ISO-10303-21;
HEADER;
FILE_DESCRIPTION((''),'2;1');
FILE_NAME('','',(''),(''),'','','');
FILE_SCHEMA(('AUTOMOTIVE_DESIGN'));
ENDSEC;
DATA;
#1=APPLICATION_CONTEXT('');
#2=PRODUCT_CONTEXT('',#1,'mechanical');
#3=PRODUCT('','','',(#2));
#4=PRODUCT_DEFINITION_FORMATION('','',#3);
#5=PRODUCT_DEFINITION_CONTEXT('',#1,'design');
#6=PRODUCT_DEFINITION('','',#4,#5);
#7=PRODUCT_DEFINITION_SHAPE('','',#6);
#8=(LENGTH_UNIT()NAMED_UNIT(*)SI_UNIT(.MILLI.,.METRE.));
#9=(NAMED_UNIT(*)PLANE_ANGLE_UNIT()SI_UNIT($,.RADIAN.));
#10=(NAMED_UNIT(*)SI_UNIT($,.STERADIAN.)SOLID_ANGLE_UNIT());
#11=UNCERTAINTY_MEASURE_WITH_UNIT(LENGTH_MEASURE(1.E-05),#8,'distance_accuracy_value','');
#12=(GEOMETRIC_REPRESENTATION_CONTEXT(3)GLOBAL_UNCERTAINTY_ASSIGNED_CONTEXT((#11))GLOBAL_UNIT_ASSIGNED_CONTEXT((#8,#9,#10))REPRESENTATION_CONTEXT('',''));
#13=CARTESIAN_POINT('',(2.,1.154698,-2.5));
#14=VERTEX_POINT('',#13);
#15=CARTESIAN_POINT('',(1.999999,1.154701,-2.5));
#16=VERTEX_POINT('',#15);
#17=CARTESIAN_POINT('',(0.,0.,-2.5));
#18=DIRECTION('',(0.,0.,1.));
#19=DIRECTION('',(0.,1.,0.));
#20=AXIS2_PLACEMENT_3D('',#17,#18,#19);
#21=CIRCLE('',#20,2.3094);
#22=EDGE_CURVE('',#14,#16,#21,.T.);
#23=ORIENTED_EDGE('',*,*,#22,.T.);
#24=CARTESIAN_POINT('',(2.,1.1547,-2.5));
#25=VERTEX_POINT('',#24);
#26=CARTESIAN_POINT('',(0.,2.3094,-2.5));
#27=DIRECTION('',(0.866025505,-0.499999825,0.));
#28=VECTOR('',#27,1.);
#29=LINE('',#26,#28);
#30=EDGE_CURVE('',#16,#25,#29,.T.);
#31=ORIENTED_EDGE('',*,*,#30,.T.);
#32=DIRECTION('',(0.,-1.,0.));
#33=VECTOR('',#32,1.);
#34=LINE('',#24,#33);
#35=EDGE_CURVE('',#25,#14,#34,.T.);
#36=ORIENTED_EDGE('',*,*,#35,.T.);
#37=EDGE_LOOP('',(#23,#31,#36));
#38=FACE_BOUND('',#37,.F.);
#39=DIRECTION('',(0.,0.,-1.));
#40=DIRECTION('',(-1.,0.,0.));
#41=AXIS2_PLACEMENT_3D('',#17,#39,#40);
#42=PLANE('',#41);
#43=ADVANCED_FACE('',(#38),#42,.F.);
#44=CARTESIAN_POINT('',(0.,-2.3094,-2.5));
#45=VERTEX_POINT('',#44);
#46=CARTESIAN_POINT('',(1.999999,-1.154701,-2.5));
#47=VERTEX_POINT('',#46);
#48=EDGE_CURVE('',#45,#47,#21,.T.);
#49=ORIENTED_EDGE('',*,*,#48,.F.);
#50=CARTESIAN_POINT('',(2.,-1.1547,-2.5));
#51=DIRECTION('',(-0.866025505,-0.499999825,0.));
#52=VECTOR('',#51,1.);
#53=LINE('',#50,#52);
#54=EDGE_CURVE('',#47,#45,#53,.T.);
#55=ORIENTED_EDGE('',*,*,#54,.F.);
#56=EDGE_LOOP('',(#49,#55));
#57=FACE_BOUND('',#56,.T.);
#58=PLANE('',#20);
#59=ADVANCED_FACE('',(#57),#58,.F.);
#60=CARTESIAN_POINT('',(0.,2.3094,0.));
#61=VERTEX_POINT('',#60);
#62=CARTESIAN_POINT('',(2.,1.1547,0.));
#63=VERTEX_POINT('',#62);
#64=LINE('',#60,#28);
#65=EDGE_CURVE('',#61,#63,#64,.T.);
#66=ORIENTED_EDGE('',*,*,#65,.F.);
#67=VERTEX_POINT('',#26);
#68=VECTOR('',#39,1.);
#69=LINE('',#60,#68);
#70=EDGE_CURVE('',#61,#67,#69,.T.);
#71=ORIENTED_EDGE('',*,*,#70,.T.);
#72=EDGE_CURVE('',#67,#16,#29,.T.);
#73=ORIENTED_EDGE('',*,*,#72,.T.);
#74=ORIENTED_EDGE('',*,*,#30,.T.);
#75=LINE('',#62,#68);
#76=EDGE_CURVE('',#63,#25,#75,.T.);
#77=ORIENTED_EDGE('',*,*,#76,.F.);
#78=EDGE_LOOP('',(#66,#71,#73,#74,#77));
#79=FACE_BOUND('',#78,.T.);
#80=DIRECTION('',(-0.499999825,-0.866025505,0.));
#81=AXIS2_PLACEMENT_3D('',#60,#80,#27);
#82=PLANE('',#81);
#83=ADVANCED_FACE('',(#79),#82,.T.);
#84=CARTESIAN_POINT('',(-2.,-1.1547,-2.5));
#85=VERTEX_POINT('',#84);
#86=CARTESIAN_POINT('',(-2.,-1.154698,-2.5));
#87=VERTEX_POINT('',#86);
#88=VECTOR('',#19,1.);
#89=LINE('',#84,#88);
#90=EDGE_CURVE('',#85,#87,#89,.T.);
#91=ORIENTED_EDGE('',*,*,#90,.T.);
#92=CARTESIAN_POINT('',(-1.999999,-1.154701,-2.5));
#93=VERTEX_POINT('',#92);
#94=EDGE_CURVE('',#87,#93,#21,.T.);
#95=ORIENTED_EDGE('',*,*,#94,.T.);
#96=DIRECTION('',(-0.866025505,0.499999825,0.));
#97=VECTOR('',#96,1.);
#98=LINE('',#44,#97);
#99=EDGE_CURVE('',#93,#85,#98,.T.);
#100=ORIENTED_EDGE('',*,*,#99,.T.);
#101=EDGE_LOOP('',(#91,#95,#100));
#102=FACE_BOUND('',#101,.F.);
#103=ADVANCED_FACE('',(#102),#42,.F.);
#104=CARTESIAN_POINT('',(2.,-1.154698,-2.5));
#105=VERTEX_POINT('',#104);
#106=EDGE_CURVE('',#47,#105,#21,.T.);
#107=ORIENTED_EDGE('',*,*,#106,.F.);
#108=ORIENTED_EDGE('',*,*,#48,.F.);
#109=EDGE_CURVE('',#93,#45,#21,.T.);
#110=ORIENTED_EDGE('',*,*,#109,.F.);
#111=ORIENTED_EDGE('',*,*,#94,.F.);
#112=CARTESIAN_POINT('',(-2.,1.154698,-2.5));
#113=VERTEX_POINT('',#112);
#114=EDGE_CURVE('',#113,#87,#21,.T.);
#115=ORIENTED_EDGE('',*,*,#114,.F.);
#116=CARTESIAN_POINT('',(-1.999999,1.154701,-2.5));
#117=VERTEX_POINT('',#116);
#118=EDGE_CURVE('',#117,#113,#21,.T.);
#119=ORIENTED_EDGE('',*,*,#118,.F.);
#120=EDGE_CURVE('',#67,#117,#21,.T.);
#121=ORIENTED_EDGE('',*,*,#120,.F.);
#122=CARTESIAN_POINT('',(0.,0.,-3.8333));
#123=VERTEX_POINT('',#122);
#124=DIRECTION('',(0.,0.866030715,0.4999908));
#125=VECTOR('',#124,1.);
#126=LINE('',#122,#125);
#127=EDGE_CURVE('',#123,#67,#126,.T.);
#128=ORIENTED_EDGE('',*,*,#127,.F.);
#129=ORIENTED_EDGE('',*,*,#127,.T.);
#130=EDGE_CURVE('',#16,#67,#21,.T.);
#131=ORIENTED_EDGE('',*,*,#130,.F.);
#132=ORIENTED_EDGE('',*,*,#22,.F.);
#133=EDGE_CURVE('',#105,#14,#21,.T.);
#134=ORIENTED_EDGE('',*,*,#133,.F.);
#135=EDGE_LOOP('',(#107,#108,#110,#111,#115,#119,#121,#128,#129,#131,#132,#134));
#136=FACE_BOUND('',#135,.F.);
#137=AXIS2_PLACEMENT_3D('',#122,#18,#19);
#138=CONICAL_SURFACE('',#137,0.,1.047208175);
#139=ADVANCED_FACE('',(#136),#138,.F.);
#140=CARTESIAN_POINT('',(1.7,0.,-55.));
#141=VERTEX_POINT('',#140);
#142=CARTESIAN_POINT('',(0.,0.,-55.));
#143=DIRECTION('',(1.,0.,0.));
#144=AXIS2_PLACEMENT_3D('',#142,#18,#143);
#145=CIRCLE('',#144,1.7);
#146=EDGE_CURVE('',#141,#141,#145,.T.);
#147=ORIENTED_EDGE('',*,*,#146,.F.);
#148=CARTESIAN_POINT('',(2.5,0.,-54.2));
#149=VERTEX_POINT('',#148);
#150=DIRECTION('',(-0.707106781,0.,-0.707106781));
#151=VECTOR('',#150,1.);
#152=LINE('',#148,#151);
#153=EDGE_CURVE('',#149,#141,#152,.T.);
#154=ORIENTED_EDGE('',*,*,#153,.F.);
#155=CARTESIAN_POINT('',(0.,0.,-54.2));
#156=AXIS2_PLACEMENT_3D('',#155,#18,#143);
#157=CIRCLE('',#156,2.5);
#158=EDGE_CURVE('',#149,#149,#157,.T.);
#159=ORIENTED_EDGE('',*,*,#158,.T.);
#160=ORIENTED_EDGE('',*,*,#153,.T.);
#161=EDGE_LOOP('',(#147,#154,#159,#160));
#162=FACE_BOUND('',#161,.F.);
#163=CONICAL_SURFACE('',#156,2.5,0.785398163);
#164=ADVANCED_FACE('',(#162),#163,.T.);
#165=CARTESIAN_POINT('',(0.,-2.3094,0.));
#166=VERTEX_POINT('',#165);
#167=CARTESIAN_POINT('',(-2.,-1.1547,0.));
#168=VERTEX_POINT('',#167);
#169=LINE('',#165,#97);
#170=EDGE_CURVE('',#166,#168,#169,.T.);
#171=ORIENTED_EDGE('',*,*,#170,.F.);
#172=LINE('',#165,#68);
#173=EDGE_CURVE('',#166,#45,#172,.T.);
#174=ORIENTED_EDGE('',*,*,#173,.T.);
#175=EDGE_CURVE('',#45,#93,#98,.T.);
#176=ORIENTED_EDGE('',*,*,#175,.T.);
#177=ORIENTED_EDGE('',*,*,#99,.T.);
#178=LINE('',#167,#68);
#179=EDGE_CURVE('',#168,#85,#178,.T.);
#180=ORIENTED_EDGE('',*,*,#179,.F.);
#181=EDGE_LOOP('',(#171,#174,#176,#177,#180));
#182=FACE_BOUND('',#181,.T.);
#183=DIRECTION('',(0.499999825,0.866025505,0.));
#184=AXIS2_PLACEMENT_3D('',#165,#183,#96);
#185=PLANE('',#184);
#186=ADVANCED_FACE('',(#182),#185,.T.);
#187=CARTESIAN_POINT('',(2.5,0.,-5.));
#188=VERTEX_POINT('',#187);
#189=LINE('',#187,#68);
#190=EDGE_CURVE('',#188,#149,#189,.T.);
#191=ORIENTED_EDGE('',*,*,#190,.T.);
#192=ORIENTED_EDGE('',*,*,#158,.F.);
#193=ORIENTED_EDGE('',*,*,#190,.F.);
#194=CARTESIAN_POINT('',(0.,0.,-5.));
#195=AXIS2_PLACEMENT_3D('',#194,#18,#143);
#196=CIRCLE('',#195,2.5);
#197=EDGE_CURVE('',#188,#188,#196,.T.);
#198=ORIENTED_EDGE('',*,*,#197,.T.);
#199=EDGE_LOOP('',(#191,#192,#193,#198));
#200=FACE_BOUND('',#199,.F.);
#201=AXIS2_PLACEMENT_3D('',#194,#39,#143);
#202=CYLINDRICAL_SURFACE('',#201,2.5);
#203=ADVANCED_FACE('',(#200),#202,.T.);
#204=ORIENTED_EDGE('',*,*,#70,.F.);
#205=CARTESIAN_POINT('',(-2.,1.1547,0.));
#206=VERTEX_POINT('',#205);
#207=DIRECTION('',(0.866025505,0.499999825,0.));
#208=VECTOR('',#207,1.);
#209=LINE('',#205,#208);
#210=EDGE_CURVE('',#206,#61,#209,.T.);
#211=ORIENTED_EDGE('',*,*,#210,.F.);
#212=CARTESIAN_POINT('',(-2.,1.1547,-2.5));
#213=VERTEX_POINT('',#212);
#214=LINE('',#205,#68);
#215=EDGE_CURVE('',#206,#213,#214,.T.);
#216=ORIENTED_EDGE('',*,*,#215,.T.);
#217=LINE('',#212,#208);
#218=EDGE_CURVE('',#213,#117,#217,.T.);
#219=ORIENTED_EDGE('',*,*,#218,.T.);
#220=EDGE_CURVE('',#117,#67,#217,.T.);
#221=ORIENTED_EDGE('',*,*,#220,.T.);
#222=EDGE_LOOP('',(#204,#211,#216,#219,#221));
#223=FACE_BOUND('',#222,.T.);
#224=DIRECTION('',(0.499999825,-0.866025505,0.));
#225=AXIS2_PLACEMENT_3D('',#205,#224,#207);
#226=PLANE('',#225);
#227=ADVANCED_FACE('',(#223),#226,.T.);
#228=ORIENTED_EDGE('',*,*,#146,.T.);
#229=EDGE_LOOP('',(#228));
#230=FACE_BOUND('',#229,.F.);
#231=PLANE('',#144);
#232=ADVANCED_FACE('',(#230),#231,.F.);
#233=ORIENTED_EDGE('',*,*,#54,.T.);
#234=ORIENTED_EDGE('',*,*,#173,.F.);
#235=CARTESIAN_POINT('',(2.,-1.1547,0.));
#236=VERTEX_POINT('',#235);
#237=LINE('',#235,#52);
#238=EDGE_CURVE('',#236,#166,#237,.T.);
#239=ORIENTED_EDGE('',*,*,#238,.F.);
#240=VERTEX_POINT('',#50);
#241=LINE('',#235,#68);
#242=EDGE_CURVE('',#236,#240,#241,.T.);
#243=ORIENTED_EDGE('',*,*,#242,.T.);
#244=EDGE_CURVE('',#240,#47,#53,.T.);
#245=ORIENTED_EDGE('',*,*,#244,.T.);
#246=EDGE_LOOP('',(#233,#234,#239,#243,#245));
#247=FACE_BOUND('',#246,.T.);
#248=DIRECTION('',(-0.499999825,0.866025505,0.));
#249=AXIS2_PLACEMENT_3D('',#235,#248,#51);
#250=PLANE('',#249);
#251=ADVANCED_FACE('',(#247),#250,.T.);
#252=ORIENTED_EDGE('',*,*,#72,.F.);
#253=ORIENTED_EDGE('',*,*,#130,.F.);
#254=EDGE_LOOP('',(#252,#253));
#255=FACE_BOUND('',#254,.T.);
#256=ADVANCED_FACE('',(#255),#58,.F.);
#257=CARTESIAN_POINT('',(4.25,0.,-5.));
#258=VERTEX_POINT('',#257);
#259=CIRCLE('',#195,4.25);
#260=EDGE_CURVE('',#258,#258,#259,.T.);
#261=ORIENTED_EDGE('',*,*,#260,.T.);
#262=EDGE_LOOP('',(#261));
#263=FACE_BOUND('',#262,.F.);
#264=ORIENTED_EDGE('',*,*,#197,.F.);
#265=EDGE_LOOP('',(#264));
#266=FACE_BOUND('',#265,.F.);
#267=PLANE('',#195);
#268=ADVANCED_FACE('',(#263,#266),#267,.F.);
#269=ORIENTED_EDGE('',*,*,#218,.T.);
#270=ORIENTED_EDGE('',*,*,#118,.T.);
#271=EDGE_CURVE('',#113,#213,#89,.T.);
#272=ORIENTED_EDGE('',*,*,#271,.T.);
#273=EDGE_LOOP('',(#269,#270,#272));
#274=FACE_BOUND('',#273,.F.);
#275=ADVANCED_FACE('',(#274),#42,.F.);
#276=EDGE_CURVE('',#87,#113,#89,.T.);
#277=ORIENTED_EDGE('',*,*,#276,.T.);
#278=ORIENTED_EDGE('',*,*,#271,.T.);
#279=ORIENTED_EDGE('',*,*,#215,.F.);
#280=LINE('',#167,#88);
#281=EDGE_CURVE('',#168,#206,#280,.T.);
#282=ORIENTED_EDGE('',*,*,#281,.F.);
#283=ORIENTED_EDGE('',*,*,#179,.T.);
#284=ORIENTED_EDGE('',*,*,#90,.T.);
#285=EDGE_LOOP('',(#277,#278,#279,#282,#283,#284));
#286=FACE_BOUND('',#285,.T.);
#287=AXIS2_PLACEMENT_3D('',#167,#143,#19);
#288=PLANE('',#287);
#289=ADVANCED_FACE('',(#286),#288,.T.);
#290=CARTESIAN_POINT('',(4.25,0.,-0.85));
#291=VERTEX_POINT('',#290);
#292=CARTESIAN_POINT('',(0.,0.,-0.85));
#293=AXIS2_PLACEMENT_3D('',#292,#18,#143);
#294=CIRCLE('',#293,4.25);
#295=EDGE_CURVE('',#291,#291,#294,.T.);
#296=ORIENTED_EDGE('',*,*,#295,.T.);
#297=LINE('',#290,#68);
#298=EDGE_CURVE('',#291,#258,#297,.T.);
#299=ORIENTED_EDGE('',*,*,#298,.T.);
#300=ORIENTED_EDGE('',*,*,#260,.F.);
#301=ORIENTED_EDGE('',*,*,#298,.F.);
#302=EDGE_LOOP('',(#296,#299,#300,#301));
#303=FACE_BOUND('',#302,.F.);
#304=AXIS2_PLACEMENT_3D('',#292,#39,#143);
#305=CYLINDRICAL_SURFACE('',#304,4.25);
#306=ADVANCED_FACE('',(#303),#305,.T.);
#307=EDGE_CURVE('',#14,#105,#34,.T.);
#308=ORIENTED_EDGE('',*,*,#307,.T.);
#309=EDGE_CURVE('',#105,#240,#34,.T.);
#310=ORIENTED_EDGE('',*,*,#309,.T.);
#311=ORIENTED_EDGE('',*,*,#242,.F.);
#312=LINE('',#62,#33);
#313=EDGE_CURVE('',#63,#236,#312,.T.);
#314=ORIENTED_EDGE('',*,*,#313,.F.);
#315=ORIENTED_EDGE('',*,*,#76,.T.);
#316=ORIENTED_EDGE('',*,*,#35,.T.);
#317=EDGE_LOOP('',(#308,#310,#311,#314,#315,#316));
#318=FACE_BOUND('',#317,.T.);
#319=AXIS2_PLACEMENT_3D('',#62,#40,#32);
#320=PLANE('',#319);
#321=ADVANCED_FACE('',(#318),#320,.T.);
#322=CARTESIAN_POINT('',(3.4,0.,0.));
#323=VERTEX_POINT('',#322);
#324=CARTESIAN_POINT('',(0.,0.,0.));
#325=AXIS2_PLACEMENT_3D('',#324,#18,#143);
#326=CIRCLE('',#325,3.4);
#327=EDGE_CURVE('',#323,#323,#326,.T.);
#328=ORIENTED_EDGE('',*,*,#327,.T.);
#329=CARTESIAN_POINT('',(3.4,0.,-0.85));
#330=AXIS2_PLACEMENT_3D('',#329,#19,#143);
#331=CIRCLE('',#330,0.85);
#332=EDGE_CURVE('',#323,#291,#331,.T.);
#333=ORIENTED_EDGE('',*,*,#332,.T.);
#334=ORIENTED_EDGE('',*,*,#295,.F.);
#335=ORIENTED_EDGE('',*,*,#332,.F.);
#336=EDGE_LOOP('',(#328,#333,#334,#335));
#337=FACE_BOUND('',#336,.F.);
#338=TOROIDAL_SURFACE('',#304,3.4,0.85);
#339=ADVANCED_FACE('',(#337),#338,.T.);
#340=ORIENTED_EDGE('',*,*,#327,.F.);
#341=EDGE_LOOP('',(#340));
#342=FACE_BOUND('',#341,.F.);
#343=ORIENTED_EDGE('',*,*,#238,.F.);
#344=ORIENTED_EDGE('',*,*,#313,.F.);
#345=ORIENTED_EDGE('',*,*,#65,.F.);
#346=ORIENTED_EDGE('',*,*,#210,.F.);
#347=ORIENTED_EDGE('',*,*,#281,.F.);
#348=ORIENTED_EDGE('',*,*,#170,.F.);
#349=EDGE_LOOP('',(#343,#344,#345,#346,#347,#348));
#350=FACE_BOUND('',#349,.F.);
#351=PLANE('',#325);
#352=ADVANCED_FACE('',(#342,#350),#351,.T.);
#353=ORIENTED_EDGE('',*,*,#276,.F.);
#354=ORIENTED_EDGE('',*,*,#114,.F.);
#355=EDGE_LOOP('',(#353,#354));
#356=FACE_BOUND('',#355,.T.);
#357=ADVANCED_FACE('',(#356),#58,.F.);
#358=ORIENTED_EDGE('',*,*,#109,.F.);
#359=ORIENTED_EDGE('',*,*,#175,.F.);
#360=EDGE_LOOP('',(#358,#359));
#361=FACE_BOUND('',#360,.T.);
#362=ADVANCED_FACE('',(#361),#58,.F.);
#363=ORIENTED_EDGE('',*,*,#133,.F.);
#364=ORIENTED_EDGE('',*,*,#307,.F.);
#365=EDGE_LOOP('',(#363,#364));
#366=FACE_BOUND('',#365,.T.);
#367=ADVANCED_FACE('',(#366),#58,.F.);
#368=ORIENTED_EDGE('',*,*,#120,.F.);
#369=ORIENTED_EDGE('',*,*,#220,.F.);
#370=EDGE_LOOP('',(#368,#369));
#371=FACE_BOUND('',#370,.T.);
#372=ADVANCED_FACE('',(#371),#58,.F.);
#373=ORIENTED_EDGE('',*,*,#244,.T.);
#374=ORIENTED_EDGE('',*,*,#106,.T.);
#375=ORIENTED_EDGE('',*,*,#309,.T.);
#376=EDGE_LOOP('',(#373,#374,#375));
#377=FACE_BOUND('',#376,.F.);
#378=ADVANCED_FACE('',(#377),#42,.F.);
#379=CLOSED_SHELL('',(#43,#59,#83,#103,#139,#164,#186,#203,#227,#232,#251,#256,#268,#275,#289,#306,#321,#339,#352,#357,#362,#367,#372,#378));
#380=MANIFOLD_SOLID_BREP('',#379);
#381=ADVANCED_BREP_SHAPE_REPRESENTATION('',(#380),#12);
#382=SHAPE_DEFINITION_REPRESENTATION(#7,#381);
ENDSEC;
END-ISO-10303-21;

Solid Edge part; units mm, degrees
sketch "Sketch1" plane through (0, 0, 0) normal (0, -1, 0) x (1, 0, 0)
  line L0 (0, 0) -> (3.4, 0)
  arc A0 (3.4, 0) -> (4.25, -0.85) centre (3.4, -0.85) cw
  line L1 (4.25, -0.85) -> (4.25, -5)
  line L2 (4.25, -5) -> (2.5, -5)
  line L3 (2.5, -5) -> (2.5, -54.2)
  line L4 (2.5, -54.2) -> (1.7, -55)
  line L5 (1.7, -55) -> (0, -55)
revolve "RevolvedProtrusion1" add sketch "Sketch1" angle 360 about axis through (0, 0, -55) along (0, 0, 1)
sketch "Sketch2" plane through (0, 0, 0) normal (0, 0, 1) x (1, 0, 0)
  line L0 (-2, -1.1547) -> (-2, 1.1547)
  line L1 (-2, 1.1547) -> (0, 2.3094)
  line L2 (0, 2.3094) -> (2, 1.1547)
  line L3 (2, 1.1547) -> (2, -1.1547)
  line L4 (2, -1.1547) -> (0, -2.3094)
  line L5 (0, -2.3094) -> (-2, -1.1547)
extrude "Cutout1" cut sketch "Sketch2" against normal blind 2.5
sketch "Sketch3" plane through (0, 0, 0) normal (1, 0, 0) x (0, 1, 0)
  line L0 (0, -3.8333) -> (2.3094, -2.5)
  line L1 (0, -2.5) -> (2.3094, -2.5)
  line L2 (0, -2.5) -> (0, -3.8333)
revolve "RevolvedCutout1" cut sketch "Sketch3" angle 360 about axis through (0, 0, -60.325) along (0, 0, 1)
cosmetic_thread "Thread1" size "M5"
